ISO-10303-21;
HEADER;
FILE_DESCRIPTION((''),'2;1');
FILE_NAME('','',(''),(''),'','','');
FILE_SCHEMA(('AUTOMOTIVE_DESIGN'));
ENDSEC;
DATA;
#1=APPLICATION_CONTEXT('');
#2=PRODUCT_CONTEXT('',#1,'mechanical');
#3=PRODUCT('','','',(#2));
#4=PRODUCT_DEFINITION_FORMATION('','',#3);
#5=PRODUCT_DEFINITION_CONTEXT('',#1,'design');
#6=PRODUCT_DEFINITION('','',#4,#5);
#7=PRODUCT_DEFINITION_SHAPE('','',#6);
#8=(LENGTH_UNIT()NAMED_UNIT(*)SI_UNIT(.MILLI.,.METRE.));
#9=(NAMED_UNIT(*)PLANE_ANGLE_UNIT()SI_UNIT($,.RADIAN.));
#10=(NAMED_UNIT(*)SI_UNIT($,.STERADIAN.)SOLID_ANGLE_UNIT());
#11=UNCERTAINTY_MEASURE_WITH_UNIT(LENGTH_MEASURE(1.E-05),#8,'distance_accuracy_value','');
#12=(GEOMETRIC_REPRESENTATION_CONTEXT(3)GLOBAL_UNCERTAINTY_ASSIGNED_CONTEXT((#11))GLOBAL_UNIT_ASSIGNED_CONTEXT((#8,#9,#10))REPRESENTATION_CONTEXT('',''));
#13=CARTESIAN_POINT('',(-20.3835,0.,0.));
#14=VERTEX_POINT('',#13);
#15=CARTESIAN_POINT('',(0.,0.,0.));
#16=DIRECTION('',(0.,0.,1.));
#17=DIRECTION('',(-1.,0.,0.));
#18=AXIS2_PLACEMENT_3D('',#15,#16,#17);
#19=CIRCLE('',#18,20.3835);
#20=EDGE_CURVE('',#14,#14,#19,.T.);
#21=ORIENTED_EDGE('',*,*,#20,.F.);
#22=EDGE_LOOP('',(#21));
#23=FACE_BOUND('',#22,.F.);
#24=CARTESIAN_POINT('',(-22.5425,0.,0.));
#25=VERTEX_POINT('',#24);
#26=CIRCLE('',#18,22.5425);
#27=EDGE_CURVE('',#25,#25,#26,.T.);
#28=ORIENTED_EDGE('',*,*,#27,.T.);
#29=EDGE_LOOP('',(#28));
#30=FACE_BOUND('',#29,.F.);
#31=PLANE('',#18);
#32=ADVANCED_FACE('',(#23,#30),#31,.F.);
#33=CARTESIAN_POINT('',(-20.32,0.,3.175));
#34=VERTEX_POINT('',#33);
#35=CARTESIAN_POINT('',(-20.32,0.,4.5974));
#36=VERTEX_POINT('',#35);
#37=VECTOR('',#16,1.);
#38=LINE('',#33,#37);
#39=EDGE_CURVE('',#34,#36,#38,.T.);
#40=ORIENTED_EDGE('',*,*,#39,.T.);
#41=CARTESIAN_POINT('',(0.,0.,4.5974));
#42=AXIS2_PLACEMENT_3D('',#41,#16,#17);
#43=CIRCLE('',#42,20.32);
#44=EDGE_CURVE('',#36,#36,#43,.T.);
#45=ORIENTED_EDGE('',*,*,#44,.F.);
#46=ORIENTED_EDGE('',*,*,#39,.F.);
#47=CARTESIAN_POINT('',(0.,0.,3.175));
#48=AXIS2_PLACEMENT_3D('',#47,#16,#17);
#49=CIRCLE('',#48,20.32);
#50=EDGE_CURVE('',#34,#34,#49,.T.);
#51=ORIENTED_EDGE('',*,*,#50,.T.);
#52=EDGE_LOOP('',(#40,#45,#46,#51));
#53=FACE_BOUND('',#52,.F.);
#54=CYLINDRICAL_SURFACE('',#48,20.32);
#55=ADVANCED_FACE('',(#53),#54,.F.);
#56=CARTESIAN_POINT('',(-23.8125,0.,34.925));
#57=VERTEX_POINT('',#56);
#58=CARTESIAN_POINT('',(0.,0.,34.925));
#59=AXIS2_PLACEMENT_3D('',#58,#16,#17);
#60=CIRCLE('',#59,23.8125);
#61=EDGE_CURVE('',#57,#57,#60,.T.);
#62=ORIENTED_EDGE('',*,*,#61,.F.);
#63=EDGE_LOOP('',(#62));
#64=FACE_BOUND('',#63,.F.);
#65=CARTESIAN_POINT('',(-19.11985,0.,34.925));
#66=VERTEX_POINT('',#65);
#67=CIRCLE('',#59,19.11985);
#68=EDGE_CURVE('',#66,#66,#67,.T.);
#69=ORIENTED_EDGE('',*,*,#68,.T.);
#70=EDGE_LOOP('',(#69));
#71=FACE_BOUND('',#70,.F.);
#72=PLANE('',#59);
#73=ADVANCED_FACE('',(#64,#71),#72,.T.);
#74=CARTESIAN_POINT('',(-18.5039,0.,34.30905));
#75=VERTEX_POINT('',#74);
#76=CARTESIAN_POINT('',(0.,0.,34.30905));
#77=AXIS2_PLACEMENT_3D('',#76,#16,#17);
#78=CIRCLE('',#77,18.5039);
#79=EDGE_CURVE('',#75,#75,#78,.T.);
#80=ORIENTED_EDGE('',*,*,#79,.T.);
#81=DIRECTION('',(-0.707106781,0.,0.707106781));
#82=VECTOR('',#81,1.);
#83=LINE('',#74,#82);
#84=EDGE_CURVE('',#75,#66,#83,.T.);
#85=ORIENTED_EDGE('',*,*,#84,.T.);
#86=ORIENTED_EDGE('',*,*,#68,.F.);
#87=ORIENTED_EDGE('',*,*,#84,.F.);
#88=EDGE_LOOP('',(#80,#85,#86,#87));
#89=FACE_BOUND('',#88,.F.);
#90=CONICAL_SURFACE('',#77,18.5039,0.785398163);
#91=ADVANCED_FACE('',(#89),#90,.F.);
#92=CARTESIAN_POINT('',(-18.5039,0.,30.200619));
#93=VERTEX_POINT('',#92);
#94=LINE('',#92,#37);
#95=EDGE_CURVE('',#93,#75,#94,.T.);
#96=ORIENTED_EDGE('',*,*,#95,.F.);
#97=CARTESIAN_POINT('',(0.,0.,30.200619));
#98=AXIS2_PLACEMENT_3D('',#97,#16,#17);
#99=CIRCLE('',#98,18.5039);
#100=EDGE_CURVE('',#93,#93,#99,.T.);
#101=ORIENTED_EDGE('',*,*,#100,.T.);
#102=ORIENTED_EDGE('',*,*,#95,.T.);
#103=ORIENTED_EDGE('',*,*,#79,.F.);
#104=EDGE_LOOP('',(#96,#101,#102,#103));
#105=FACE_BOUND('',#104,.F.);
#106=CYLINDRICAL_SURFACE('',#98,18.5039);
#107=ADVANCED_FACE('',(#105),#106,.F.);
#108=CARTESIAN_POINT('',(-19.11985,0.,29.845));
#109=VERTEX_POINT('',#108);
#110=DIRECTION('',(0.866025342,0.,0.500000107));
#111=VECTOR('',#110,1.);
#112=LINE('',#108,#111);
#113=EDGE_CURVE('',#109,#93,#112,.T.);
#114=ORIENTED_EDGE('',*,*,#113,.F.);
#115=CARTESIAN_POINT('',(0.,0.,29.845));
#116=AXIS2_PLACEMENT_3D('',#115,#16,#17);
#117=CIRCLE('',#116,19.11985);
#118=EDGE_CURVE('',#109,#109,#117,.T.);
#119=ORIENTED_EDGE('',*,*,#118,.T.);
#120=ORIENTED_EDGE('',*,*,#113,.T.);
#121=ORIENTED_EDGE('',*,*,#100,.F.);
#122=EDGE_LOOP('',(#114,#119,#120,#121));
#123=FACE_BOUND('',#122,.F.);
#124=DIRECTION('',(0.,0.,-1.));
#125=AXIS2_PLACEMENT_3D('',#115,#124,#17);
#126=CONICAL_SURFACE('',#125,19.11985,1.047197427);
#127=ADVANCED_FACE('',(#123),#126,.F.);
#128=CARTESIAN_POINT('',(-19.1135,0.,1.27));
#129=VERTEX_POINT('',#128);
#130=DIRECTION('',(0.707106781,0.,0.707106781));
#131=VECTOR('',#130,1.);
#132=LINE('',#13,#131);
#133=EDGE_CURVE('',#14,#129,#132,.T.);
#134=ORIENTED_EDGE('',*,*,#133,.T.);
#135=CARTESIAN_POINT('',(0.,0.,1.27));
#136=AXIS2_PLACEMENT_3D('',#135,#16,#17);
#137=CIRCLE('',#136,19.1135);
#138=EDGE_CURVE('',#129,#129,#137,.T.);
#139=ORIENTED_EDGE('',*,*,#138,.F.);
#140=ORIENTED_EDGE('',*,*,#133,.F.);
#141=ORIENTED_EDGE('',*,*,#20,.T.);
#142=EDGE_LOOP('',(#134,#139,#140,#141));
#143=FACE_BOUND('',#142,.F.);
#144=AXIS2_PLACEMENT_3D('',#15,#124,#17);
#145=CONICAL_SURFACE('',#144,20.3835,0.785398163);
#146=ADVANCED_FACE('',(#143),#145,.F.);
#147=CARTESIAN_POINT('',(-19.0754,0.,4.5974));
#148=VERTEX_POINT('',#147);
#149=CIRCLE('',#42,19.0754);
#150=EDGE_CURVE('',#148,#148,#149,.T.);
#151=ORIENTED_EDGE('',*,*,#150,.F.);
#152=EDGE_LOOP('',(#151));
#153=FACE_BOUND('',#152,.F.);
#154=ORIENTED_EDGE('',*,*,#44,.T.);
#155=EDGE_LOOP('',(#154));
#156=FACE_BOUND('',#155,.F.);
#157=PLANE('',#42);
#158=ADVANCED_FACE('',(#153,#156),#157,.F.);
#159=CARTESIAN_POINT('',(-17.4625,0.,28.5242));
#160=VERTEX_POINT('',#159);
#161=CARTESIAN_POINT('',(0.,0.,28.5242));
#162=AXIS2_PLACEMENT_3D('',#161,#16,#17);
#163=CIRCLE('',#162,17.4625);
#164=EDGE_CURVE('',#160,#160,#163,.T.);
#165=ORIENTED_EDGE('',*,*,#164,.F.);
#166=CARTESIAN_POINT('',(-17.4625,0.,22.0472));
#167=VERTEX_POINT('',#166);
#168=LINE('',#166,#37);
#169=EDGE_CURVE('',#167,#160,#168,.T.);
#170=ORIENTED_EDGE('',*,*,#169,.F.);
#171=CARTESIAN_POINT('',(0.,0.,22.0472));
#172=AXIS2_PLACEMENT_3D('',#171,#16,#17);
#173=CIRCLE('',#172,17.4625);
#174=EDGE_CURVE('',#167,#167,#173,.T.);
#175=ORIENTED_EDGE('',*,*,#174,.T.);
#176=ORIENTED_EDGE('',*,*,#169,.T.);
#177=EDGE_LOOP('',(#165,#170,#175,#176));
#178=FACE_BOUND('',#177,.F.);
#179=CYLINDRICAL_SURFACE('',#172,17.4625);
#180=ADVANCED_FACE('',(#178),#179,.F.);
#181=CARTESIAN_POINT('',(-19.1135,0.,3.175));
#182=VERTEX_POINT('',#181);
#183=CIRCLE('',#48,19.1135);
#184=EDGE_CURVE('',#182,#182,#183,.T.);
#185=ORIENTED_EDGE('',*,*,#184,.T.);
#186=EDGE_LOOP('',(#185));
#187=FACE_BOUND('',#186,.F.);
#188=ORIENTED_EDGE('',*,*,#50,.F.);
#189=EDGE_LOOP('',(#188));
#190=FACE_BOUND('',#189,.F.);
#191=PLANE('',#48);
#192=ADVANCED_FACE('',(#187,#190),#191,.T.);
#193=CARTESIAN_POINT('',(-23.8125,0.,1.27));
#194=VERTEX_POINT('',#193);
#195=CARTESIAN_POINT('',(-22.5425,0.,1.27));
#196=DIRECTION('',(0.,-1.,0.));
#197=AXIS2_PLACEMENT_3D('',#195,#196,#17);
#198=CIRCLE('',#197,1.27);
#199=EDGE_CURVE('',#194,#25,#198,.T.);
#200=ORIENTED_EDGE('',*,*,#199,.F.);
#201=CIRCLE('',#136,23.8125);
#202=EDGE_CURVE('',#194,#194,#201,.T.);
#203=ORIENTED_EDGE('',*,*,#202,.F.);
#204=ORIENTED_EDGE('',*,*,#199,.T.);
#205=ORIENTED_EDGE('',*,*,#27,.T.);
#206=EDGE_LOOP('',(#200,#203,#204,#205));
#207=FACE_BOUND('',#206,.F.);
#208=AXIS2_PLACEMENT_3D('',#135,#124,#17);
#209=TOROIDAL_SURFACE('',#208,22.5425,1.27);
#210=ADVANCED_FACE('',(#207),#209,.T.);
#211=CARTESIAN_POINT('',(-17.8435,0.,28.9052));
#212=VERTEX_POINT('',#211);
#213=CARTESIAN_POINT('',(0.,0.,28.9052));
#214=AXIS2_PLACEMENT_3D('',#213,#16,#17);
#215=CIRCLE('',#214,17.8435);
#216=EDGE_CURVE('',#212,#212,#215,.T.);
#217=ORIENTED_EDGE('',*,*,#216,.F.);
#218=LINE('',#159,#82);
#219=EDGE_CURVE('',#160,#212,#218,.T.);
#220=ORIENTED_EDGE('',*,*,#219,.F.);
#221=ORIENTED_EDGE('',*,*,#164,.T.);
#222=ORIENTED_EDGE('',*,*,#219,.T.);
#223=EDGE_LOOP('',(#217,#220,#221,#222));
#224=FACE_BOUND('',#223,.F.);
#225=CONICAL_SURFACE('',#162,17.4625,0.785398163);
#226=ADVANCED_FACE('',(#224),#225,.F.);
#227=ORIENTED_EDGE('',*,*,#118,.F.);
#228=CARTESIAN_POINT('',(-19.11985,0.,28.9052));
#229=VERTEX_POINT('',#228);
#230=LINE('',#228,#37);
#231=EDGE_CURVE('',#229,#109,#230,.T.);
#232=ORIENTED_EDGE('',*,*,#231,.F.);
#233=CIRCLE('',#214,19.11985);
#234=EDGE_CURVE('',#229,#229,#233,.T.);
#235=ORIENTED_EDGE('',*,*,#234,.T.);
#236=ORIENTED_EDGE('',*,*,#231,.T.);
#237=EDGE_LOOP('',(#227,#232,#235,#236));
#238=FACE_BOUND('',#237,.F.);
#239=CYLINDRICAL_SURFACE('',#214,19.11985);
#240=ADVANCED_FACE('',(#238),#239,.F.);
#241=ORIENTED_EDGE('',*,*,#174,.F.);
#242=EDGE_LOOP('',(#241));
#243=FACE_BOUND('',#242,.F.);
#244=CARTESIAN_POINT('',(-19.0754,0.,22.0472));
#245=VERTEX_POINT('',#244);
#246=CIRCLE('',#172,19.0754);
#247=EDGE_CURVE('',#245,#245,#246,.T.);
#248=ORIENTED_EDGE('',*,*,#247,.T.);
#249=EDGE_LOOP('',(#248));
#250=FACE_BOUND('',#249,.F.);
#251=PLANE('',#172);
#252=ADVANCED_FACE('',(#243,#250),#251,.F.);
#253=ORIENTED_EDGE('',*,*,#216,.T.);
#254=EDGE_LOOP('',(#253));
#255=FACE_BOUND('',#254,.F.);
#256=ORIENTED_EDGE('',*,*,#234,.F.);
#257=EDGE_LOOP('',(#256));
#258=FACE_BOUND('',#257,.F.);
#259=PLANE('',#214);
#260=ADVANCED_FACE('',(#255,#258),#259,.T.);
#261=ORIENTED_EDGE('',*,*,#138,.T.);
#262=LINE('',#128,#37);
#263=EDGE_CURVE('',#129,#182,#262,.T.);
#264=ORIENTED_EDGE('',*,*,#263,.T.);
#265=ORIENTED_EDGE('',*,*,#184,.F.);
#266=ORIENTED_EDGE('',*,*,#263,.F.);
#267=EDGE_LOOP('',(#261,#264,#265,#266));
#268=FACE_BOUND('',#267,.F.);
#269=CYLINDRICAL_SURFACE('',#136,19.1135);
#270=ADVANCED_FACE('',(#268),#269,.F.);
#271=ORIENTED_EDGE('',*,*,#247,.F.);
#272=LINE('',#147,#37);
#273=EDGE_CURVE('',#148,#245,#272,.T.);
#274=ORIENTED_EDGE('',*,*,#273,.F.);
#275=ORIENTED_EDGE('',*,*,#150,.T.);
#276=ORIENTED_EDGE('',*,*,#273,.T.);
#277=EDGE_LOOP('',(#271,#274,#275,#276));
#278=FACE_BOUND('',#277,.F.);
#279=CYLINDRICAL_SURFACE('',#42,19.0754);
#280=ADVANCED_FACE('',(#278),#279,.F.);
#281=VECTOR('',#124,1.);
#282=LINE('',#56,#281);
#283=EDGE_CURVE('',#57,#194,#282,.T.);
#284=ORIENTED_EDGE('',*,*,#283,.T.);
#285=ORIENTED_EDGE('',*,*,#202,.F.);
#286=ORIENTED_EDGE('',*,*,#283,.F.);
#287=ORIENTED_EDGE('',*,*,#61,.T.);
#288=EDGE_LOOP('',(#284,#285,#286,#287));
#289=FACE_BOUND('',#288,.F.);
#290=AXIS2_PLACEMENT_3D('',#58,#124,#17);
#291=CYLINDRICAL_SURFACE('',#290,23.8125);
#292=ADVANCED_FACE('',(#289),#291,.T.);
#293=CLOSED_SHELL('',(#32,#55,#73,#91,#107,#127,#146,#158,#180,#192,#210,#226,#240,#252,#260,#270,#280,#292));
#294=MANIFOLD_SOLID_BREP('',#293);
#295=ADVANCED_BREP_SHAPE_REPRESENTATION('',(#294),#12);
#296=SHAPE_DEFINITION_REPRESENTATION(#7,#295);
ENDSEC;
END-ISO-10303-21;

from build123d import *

# Parameters (mm, degrees)
F4_R = 1.27


with BuildPart() as f1:
    # F0 (on Front) → F1 (revolve)
    with BuildSketch(Plane.XZ):
        Polygon((-19.11985, 34.925), (-23.8125, 34.925), (-23.8125, 0), (-20.3835, 0), (-19.1135, 1.27), (-19.1135, 3.175), (-20.32, 3.175), (-20.32, 4.5974), (-19.0754, 4.5974), (-19.0754, 22.0472), (-17.4625, 22.0472), (-17.4625, 28.5242), (-17.8435, 28.9052), (-19.11985, 28.9052), (-19.11985, 29.845), (-18.5039, 30.200619), (-18.5039, 34.30905), align=None)
    revolve(axis=Axis((0, 0, 12.346035), (0, 0, 1)))

    # F4
    f4_edges = [f1.edges().sort_by_distance(p)[0] for p in [
        (23.8125, 0, 0),
    ]]
    fillet(f4_edges, radius=F4_R)


solid = f1.part
